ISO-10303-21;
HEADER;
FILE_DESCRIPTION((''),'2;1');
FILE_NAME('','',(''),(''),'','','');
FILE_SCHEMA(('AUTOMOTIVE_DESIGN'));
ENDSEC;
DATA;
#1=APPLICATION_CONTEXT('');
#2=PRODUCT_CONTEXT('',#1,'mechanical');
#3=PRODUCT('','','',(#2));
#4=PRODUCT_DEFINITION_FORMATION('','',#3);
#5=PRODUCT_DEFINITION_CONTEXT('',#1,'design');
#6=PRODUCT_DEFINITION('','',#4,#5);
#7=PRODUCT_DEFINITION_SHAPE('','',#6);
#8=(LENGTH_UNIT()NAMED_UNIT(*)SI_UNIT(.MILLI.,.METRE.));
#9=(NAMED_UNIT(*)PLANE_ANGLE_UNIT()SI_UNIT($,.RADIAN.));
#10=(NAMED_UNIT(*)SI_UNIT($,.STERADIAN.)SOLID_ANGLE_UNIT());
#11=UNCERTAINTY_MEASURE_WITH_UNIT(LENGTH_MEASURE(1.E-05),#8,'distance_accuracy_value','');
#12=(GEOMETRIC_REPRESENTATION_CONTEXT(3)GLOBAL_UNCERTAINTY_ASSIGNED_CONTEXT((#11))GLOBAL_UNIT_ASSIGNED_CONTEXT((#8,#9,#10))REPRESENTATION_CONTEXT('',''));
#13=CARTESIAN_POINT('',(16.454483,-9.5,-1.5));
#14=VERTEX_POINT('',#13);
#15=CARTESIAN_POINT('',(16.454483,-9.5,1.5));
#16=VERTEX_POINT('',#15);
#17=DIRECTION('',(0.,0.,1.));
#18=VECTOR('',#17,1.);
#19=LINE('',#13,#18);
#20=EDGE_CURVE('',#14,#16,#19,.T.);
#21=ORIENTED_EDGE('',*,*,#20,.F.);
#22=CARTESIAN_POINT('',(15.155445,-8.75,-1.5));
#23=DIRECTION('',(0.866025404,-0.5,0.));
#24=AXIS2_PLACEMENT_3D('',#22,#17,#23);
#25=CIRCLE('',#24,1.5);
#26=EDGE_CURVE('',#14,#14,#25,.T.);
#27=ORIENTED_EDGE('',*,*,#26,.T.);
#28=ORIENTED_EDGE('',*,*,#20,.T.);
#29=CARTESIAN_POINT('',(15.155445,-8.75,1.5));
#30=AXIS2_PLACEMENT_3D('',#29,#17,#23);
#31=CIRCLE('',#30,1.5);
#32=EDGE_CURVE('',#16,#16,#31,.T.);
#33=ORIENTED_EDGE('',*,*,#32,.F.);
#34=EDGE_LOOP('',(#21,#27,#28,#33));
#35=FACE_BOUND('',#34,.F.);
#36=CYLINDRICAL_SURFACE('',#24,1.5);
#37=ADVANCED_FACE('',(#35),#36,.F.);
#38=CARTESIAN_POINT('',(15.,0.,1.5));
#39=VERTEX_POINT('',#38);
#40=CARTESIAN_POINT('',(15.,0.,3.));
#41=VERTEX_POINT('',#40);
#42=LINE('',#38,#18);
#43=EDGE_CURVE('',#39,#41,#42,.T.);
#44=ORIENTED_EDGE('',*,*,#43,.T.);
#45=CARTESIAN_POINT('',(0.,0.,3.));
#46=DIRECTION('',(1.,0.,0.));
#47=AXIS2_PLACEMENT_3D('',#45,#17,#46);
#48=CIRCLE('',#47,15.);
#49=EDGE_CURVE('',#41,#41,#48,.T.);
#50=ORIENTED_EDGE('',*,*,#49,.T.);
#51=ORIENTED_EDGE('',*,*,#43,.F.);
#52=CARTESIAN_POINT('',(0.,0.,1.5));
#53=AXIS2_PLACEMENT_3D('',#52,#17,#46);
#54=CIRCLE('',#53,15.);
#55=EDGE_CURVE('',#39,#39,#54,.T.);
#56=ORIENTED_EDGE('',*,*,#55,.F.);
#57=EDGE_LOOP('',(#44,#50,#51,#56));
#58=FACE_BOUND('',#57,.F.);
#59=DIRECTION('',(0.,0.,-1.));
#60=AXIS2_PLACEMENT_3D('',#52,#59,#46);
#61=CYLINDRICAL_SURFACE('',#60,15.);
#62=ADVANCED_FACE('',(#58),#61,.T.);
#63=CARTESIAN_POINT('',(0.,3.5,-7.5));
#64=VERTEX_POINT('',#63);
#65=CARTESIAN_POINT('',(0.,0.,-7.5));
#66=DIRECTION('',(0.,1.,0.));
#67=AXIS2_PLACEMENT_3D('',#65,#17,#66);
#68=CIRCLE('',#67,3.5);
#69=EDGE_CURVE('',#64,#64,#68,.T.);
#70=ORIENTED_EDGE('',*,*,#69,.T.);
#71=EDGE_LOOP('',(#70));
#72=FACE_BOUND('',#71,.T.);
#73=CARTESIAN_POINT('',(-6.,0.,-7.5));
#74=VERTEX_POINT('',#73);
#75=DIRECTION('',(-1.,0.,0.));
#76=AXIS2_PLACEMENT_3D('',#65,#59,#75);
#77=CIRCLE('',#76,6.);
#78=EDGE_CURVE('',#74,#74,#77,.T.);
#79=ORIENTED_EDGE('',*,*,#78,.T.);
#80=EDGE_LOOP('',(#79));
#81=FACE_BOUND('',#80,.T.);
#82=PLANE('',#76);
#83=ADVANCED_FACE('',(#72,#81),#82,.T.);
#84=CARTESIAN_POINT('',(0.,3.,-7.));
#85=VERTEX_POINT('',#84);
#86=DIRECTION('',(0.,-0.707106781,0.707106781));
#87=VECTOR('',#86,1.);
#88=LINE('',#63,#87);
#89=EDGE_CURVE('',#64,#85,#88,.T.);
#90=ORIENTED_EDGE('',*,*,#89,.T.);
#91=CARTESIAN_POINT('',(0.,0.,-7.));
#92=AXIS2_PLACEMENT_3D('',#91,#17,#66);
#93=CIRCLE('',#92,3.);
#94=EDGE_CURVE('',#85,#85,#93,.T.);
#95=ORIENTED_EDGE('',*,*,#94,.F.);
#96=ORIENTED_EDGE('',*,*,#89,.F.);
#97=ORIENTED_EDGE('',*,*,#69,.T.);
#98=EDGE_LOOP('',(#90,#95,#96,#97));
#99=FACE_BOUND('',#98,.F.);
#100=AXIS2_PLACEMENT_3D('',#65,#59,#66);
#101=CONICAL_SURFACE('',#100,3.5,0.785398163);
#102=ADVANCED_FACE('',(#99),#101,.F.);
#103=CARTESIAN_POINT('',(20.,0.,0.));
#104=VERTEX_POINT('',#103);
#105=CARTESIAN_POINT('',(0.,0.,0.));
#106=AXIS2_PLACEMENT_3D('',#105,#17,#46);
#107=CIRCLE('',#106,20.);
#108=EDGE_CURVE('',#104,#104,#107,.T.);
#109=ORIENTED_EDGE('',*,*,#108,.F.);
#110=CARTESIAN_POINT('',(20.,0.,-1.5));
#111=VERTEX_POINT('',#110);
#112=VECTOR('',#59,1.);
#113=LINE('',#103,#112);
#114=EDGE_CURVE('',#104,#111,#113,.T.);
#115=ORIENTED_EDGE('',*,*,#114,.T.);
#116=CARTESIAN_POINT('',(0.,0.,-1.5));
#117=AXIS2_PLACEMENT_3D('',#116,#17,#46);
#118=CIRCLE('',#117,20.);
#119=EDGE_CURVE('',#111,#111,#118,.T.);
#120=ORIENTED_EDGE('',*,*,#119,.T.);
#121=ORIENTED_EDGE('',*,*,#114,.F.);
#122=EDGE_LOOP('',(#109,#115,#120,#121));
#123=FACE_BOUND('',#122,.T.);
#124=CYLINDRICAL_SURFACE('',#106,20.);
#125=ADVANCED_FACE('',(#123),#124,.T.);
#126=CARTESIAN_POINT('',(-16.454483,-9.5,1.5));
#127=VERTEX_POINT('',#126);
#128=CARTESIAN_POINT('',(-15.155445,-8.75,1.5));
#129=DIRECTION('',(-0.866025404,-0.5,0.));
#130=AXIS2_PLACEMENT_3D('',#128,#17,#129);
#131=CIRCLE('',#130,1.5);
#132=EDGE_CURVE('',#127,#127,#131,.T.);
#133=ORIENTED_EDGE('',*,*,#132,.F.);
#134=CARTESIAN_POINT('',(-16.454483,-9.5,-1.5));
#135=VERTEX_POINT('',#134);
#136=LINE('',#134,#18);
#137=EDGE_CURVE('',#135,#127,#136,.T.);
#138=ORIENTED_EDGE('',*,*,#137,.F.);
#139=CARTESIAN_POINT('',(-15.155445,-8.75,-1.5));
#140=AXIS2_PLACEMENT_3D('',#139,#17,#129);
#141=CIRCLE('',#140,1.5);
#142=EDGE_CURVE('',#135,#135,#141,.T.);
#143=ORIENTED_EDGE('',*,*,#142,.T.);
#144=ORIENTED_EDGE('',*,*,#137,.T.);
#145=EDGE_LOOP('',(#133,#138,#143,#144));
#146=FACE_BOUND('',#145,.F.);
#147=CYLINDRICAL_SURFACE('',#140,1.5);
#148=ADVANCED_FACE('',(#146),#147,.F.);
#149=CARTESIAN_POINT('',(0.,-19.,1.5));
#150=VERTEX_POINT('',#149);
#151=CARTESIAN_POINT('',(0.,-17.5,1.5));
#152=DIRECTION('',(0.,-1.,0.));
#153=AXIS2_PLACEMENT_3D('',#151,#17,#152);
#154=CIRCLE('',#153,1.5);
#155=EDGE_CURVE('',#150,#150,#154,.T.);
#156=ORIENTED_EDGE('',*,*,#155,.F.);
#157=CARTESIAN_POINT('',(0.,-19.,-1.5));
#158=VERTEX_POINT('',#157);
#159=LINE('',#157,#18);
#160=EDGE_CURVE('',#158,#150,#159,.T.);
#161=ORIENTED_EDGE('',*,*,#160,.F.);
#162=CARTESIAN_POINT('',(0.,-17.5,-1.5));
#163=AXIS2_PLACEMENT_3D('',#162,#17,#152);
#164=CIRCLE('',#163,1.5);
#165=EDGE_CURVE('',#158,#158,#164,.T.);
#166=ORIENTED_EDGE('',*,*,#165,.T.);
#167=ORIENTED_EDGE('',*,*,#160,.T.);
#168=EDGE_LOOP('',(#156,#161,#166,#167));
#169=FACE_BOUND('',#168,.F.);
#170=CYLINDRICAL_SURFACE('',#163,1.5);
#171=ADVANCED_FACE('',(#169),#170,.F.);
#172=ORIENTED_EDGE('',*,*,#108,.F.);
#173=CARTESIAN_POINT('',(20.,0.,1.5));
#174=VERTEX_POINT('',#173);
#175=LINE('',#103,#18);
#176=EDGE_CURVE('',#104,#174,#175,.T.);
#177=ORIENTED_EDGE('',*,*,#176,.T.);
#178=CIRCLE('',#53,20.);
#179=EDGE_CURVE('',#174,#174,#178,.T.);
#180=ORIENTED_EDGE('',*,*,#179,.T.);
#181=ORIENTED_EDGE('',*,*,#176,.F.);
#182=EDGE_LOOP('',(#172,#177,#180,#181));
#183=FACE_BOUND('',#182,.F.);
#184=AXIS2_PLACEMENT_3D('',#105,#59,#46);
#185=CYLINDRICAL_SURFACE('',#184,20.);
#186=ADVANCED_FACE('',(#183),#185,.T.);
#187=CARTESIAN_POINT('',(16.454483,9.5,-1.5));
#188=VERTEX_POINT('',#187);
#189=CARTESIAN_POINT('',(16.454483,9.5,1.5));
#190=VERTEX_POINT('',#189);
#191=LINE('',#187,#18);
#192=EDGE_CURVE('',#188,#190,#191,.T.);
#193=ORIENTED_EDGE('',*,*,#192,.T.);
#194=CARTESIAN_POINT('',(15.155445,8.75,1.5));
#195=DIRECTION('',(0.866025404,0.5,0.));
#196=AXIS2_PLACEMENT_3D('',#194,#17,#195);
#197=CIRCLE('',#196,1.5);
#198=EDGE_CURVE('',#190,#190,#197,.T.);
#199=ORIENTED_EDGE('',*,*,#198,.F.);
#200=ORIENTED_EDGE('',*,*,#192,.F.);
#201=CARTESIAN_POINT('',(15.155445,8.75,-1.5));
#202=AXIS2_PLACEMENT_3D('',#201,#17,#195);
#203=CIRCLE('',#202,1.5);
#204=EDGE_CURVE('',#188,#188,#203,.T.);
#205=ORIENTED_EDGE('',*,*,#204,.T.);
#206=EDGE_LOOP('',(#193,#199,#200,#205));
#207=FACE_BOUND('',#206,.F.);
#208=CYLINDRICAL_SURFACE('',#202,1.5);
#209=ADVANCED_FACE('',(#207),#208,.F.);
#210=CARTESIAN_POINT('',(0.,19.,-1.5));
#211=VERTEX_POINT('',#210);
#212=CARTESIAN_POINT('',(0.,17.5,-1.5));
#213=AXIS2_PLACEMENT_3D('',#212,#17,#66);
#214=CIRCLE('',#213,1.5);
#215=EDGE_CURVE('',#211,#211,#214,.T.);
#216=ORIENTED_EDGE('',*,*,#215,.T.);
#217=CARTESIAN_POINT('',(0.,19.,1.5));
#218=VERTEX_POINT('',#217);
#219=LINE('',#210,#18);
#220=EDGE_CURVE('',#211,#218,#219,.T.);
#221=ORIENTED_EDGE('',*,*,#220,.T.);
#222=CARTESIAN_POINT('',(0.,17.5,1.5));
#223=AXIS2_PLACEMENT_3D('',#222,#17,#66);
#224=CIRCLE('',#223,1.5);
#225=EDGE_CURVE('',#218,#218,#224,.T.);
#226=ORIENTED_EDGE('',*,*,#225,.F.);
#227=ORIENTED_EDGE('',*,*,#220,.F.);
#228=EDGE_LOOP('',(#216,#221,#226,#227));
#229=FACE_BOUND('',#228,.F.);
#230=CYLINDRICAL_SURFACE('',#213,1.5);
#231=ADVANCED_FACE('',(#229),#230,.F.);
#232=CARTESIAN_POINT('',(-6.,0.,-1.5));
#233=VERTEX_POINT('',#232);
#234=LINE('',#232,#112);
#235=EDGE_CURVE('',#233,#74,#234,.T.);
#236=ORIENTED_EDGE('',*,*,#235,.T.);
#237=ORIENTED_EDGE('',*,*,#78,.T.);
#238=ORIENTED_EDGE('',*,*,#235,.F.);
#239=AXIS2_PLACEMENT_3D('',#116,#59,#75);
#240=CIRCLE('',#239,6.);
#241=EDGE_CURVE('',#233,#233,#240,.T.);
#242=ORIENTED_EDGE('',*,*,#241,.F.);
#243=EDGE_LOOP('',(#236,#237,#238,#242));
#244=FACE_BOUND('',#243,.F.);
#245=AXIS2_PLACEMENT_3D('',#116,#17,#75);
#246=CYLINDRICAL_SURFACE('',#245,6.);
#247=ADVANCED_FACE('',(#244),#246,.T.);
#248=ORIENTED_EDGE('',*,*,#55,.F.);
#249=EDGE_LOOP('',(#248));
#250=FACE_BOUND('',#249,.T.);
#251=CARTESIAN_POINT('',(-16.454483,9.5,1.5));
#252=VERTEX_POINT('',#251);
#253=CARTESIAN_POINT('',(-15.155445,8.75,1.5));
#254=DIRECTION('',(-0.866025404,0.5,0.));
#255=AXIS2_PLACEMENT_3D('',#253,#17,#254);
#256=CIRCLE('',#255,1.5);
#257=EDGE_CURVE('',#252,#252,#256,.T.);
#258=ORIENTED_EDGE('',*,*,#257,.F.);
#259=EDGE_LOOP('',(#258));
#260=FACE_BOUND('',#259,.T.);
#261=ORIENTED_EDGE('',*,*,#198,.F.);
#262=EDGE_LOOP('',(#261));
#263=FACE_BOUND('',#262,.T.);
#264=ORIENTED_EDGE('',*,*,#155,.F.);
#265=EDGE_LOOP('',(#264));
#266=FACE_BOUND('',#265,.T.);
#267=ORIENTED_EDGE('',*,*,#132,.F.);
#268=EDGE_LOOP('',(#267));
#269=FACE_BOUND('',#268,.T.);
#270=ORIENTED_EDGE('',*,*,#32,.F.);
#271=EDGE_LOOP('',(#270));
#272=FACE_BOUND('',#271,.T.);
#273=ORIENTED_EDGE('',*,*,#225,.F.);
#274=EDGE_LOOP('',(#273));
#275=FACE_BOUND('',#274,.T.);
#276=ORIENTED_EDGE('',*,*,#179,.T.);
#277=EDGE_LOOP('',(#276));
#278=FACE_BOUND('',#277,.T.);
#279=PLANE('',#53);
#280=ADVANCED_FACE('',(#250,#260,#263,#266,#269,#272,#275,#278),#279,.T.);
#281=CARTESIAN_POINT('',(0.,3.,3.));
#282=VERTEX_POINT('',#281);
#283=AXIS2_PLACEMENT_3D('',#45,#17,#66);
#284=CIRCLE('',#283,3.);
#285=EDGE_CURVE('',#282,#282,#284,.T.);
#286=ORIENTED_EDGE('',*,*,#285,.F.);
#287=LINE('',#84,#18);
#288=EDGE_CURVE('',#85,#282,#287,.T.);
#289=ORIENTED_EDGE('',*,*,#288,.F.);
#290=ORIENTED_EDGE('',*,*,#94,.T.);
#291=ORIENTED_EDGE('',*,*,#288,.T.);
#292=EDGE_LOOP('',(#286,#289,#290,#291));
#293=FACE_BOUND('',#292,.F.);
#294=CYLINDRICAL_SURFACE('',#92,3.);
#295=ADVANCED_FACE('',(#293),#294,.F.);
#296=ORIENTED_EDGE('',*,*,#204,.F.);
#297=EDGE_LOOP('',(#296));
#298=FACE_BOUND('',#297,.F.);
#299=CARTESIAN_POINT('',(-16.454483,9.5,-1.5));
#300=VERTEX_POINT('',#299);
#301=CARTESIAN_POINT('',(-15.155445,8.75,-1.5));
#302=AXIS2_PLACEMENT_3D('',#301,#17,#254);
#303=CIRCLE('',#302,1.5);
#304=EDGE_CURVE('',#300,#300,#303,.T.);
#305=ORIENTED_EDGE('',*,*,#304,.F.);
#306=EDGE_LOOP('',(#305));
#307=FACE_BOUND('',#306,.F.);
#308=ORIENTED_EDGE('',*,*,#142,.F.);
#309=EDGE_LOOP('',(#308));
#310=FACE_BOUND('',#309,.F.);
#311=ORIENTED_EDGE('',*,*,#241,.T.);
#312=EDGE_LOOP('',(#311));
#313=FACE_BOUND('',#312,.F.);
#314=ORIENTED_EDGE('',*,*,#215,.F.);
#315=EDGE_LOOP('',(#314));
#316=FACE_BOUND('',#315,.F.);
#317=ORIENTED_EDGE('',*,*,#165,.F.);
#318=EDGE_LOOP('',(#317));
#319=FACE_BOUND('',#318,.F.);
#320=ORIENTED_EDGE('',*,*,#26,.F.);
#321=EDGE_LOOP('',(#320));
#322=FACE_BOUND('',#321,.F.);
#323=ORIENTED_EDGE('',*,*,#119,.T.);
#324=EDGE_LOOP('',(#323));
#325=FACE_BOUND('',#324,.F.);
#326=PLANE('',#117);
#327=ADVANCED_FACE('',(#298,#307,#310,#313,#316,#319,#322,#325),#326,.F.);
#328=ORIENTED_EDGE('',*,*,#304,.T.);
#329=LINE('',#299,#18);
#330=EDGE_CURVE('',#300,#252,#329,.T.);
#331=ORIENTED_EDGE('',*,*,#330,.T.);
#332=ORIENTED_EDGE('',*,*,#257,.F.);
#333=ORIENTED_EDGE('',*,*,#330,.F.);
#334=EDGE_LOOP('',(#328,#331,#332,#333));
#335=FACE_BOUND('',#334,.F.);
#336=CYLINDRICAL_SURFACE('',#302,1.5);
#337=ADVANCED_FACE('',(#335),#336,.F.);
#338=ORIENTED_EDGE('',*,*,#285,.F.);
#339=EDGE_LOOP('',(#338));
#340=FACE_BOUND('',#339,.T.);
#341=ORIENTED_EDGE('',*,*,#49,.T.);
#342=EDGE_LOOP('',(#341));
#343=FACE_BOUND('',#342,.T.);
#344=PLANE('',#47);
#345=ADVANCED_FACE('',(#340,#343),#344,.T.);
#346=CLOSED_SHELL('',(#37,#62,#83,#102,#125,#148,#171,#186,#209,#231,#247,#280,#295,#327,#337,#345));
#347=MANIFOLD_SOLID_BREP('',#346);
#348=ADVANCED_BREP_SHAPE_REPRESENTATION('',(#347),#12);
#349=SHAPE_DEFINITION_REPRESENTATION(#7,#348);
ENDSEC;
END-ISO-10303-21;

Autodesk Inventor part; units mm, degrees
ref_plane "YZ Plane" through (0, 0, 0) normal (1, 0, 0) x (0, 1, 0)
ref_plane "XZ Plane" through (0, 0, 0) normal (0, 1, 0) x (-1, 0, 0)
ref_plane "XY Plane" through (0, 0, 0) normal (0, 0, 1) x (1, 0, 0)
sketch "Sketch1" plane through (0, 0, 0) normal (0, 0, 1) x (1, 0, 0)
  circle A0 centre (0, 0) radius 20
  dimension "d0" = 40
extrude "Extrusion1" add sketch "Sketch1" along normal mid plane 3
sketch "Sketch2" plane through (0, 0, 1.5) normal (0, 0, 1) x (1, 0, 0)
  circle A0 centre (0, 0) radius 15
  dimension "d3" = 30
extrude "Extrusion2" add sketch "Sketch2" along normal blind 1.5
sketch "Sketch3" plane through (0, 0, -1.5) normal (0, 0, -1) x (-1, 0, 0)
  circle A0 centre (0, 0) radius 17.5 construction
  point P0 (0, 17.5)
  dimension "d6" = 35
hole "Hole1" at (0, 17.5, -1.5) direction (0, 0, 1) diameter 3 depth 3
pattern_circular "Circular Pattern1" count 6 over 360 about axis through (0, 0, 0) along (0, 0, 1) of "Hole1"
sketch "Sketch4" plane through (0, 0, -1.5) normal (0, 0, -1) x (-1, 0, 0)
  circle A0 centre (0, 0) radius 6
  dimension "d17" = 12
extrude "Extrusion3" add sketch "Sketch4" along normal blind 6
thread "Thread1" size "M12x1.75" class "6g" standard "ISO Metric profile" full length
sketch "Sketch8" plane through (0, 0, -7.5) normal (0, 0, -1) x (-1, 0, 0)
  circle A0 centre (0, 0) radius 6 projected
hole "Hole5" at (0, 0, -7.5) direction (0, 0, 1) diameter 6 depth 10.5 countersink diameter 7 countersink angle 90
properties part number "14"
